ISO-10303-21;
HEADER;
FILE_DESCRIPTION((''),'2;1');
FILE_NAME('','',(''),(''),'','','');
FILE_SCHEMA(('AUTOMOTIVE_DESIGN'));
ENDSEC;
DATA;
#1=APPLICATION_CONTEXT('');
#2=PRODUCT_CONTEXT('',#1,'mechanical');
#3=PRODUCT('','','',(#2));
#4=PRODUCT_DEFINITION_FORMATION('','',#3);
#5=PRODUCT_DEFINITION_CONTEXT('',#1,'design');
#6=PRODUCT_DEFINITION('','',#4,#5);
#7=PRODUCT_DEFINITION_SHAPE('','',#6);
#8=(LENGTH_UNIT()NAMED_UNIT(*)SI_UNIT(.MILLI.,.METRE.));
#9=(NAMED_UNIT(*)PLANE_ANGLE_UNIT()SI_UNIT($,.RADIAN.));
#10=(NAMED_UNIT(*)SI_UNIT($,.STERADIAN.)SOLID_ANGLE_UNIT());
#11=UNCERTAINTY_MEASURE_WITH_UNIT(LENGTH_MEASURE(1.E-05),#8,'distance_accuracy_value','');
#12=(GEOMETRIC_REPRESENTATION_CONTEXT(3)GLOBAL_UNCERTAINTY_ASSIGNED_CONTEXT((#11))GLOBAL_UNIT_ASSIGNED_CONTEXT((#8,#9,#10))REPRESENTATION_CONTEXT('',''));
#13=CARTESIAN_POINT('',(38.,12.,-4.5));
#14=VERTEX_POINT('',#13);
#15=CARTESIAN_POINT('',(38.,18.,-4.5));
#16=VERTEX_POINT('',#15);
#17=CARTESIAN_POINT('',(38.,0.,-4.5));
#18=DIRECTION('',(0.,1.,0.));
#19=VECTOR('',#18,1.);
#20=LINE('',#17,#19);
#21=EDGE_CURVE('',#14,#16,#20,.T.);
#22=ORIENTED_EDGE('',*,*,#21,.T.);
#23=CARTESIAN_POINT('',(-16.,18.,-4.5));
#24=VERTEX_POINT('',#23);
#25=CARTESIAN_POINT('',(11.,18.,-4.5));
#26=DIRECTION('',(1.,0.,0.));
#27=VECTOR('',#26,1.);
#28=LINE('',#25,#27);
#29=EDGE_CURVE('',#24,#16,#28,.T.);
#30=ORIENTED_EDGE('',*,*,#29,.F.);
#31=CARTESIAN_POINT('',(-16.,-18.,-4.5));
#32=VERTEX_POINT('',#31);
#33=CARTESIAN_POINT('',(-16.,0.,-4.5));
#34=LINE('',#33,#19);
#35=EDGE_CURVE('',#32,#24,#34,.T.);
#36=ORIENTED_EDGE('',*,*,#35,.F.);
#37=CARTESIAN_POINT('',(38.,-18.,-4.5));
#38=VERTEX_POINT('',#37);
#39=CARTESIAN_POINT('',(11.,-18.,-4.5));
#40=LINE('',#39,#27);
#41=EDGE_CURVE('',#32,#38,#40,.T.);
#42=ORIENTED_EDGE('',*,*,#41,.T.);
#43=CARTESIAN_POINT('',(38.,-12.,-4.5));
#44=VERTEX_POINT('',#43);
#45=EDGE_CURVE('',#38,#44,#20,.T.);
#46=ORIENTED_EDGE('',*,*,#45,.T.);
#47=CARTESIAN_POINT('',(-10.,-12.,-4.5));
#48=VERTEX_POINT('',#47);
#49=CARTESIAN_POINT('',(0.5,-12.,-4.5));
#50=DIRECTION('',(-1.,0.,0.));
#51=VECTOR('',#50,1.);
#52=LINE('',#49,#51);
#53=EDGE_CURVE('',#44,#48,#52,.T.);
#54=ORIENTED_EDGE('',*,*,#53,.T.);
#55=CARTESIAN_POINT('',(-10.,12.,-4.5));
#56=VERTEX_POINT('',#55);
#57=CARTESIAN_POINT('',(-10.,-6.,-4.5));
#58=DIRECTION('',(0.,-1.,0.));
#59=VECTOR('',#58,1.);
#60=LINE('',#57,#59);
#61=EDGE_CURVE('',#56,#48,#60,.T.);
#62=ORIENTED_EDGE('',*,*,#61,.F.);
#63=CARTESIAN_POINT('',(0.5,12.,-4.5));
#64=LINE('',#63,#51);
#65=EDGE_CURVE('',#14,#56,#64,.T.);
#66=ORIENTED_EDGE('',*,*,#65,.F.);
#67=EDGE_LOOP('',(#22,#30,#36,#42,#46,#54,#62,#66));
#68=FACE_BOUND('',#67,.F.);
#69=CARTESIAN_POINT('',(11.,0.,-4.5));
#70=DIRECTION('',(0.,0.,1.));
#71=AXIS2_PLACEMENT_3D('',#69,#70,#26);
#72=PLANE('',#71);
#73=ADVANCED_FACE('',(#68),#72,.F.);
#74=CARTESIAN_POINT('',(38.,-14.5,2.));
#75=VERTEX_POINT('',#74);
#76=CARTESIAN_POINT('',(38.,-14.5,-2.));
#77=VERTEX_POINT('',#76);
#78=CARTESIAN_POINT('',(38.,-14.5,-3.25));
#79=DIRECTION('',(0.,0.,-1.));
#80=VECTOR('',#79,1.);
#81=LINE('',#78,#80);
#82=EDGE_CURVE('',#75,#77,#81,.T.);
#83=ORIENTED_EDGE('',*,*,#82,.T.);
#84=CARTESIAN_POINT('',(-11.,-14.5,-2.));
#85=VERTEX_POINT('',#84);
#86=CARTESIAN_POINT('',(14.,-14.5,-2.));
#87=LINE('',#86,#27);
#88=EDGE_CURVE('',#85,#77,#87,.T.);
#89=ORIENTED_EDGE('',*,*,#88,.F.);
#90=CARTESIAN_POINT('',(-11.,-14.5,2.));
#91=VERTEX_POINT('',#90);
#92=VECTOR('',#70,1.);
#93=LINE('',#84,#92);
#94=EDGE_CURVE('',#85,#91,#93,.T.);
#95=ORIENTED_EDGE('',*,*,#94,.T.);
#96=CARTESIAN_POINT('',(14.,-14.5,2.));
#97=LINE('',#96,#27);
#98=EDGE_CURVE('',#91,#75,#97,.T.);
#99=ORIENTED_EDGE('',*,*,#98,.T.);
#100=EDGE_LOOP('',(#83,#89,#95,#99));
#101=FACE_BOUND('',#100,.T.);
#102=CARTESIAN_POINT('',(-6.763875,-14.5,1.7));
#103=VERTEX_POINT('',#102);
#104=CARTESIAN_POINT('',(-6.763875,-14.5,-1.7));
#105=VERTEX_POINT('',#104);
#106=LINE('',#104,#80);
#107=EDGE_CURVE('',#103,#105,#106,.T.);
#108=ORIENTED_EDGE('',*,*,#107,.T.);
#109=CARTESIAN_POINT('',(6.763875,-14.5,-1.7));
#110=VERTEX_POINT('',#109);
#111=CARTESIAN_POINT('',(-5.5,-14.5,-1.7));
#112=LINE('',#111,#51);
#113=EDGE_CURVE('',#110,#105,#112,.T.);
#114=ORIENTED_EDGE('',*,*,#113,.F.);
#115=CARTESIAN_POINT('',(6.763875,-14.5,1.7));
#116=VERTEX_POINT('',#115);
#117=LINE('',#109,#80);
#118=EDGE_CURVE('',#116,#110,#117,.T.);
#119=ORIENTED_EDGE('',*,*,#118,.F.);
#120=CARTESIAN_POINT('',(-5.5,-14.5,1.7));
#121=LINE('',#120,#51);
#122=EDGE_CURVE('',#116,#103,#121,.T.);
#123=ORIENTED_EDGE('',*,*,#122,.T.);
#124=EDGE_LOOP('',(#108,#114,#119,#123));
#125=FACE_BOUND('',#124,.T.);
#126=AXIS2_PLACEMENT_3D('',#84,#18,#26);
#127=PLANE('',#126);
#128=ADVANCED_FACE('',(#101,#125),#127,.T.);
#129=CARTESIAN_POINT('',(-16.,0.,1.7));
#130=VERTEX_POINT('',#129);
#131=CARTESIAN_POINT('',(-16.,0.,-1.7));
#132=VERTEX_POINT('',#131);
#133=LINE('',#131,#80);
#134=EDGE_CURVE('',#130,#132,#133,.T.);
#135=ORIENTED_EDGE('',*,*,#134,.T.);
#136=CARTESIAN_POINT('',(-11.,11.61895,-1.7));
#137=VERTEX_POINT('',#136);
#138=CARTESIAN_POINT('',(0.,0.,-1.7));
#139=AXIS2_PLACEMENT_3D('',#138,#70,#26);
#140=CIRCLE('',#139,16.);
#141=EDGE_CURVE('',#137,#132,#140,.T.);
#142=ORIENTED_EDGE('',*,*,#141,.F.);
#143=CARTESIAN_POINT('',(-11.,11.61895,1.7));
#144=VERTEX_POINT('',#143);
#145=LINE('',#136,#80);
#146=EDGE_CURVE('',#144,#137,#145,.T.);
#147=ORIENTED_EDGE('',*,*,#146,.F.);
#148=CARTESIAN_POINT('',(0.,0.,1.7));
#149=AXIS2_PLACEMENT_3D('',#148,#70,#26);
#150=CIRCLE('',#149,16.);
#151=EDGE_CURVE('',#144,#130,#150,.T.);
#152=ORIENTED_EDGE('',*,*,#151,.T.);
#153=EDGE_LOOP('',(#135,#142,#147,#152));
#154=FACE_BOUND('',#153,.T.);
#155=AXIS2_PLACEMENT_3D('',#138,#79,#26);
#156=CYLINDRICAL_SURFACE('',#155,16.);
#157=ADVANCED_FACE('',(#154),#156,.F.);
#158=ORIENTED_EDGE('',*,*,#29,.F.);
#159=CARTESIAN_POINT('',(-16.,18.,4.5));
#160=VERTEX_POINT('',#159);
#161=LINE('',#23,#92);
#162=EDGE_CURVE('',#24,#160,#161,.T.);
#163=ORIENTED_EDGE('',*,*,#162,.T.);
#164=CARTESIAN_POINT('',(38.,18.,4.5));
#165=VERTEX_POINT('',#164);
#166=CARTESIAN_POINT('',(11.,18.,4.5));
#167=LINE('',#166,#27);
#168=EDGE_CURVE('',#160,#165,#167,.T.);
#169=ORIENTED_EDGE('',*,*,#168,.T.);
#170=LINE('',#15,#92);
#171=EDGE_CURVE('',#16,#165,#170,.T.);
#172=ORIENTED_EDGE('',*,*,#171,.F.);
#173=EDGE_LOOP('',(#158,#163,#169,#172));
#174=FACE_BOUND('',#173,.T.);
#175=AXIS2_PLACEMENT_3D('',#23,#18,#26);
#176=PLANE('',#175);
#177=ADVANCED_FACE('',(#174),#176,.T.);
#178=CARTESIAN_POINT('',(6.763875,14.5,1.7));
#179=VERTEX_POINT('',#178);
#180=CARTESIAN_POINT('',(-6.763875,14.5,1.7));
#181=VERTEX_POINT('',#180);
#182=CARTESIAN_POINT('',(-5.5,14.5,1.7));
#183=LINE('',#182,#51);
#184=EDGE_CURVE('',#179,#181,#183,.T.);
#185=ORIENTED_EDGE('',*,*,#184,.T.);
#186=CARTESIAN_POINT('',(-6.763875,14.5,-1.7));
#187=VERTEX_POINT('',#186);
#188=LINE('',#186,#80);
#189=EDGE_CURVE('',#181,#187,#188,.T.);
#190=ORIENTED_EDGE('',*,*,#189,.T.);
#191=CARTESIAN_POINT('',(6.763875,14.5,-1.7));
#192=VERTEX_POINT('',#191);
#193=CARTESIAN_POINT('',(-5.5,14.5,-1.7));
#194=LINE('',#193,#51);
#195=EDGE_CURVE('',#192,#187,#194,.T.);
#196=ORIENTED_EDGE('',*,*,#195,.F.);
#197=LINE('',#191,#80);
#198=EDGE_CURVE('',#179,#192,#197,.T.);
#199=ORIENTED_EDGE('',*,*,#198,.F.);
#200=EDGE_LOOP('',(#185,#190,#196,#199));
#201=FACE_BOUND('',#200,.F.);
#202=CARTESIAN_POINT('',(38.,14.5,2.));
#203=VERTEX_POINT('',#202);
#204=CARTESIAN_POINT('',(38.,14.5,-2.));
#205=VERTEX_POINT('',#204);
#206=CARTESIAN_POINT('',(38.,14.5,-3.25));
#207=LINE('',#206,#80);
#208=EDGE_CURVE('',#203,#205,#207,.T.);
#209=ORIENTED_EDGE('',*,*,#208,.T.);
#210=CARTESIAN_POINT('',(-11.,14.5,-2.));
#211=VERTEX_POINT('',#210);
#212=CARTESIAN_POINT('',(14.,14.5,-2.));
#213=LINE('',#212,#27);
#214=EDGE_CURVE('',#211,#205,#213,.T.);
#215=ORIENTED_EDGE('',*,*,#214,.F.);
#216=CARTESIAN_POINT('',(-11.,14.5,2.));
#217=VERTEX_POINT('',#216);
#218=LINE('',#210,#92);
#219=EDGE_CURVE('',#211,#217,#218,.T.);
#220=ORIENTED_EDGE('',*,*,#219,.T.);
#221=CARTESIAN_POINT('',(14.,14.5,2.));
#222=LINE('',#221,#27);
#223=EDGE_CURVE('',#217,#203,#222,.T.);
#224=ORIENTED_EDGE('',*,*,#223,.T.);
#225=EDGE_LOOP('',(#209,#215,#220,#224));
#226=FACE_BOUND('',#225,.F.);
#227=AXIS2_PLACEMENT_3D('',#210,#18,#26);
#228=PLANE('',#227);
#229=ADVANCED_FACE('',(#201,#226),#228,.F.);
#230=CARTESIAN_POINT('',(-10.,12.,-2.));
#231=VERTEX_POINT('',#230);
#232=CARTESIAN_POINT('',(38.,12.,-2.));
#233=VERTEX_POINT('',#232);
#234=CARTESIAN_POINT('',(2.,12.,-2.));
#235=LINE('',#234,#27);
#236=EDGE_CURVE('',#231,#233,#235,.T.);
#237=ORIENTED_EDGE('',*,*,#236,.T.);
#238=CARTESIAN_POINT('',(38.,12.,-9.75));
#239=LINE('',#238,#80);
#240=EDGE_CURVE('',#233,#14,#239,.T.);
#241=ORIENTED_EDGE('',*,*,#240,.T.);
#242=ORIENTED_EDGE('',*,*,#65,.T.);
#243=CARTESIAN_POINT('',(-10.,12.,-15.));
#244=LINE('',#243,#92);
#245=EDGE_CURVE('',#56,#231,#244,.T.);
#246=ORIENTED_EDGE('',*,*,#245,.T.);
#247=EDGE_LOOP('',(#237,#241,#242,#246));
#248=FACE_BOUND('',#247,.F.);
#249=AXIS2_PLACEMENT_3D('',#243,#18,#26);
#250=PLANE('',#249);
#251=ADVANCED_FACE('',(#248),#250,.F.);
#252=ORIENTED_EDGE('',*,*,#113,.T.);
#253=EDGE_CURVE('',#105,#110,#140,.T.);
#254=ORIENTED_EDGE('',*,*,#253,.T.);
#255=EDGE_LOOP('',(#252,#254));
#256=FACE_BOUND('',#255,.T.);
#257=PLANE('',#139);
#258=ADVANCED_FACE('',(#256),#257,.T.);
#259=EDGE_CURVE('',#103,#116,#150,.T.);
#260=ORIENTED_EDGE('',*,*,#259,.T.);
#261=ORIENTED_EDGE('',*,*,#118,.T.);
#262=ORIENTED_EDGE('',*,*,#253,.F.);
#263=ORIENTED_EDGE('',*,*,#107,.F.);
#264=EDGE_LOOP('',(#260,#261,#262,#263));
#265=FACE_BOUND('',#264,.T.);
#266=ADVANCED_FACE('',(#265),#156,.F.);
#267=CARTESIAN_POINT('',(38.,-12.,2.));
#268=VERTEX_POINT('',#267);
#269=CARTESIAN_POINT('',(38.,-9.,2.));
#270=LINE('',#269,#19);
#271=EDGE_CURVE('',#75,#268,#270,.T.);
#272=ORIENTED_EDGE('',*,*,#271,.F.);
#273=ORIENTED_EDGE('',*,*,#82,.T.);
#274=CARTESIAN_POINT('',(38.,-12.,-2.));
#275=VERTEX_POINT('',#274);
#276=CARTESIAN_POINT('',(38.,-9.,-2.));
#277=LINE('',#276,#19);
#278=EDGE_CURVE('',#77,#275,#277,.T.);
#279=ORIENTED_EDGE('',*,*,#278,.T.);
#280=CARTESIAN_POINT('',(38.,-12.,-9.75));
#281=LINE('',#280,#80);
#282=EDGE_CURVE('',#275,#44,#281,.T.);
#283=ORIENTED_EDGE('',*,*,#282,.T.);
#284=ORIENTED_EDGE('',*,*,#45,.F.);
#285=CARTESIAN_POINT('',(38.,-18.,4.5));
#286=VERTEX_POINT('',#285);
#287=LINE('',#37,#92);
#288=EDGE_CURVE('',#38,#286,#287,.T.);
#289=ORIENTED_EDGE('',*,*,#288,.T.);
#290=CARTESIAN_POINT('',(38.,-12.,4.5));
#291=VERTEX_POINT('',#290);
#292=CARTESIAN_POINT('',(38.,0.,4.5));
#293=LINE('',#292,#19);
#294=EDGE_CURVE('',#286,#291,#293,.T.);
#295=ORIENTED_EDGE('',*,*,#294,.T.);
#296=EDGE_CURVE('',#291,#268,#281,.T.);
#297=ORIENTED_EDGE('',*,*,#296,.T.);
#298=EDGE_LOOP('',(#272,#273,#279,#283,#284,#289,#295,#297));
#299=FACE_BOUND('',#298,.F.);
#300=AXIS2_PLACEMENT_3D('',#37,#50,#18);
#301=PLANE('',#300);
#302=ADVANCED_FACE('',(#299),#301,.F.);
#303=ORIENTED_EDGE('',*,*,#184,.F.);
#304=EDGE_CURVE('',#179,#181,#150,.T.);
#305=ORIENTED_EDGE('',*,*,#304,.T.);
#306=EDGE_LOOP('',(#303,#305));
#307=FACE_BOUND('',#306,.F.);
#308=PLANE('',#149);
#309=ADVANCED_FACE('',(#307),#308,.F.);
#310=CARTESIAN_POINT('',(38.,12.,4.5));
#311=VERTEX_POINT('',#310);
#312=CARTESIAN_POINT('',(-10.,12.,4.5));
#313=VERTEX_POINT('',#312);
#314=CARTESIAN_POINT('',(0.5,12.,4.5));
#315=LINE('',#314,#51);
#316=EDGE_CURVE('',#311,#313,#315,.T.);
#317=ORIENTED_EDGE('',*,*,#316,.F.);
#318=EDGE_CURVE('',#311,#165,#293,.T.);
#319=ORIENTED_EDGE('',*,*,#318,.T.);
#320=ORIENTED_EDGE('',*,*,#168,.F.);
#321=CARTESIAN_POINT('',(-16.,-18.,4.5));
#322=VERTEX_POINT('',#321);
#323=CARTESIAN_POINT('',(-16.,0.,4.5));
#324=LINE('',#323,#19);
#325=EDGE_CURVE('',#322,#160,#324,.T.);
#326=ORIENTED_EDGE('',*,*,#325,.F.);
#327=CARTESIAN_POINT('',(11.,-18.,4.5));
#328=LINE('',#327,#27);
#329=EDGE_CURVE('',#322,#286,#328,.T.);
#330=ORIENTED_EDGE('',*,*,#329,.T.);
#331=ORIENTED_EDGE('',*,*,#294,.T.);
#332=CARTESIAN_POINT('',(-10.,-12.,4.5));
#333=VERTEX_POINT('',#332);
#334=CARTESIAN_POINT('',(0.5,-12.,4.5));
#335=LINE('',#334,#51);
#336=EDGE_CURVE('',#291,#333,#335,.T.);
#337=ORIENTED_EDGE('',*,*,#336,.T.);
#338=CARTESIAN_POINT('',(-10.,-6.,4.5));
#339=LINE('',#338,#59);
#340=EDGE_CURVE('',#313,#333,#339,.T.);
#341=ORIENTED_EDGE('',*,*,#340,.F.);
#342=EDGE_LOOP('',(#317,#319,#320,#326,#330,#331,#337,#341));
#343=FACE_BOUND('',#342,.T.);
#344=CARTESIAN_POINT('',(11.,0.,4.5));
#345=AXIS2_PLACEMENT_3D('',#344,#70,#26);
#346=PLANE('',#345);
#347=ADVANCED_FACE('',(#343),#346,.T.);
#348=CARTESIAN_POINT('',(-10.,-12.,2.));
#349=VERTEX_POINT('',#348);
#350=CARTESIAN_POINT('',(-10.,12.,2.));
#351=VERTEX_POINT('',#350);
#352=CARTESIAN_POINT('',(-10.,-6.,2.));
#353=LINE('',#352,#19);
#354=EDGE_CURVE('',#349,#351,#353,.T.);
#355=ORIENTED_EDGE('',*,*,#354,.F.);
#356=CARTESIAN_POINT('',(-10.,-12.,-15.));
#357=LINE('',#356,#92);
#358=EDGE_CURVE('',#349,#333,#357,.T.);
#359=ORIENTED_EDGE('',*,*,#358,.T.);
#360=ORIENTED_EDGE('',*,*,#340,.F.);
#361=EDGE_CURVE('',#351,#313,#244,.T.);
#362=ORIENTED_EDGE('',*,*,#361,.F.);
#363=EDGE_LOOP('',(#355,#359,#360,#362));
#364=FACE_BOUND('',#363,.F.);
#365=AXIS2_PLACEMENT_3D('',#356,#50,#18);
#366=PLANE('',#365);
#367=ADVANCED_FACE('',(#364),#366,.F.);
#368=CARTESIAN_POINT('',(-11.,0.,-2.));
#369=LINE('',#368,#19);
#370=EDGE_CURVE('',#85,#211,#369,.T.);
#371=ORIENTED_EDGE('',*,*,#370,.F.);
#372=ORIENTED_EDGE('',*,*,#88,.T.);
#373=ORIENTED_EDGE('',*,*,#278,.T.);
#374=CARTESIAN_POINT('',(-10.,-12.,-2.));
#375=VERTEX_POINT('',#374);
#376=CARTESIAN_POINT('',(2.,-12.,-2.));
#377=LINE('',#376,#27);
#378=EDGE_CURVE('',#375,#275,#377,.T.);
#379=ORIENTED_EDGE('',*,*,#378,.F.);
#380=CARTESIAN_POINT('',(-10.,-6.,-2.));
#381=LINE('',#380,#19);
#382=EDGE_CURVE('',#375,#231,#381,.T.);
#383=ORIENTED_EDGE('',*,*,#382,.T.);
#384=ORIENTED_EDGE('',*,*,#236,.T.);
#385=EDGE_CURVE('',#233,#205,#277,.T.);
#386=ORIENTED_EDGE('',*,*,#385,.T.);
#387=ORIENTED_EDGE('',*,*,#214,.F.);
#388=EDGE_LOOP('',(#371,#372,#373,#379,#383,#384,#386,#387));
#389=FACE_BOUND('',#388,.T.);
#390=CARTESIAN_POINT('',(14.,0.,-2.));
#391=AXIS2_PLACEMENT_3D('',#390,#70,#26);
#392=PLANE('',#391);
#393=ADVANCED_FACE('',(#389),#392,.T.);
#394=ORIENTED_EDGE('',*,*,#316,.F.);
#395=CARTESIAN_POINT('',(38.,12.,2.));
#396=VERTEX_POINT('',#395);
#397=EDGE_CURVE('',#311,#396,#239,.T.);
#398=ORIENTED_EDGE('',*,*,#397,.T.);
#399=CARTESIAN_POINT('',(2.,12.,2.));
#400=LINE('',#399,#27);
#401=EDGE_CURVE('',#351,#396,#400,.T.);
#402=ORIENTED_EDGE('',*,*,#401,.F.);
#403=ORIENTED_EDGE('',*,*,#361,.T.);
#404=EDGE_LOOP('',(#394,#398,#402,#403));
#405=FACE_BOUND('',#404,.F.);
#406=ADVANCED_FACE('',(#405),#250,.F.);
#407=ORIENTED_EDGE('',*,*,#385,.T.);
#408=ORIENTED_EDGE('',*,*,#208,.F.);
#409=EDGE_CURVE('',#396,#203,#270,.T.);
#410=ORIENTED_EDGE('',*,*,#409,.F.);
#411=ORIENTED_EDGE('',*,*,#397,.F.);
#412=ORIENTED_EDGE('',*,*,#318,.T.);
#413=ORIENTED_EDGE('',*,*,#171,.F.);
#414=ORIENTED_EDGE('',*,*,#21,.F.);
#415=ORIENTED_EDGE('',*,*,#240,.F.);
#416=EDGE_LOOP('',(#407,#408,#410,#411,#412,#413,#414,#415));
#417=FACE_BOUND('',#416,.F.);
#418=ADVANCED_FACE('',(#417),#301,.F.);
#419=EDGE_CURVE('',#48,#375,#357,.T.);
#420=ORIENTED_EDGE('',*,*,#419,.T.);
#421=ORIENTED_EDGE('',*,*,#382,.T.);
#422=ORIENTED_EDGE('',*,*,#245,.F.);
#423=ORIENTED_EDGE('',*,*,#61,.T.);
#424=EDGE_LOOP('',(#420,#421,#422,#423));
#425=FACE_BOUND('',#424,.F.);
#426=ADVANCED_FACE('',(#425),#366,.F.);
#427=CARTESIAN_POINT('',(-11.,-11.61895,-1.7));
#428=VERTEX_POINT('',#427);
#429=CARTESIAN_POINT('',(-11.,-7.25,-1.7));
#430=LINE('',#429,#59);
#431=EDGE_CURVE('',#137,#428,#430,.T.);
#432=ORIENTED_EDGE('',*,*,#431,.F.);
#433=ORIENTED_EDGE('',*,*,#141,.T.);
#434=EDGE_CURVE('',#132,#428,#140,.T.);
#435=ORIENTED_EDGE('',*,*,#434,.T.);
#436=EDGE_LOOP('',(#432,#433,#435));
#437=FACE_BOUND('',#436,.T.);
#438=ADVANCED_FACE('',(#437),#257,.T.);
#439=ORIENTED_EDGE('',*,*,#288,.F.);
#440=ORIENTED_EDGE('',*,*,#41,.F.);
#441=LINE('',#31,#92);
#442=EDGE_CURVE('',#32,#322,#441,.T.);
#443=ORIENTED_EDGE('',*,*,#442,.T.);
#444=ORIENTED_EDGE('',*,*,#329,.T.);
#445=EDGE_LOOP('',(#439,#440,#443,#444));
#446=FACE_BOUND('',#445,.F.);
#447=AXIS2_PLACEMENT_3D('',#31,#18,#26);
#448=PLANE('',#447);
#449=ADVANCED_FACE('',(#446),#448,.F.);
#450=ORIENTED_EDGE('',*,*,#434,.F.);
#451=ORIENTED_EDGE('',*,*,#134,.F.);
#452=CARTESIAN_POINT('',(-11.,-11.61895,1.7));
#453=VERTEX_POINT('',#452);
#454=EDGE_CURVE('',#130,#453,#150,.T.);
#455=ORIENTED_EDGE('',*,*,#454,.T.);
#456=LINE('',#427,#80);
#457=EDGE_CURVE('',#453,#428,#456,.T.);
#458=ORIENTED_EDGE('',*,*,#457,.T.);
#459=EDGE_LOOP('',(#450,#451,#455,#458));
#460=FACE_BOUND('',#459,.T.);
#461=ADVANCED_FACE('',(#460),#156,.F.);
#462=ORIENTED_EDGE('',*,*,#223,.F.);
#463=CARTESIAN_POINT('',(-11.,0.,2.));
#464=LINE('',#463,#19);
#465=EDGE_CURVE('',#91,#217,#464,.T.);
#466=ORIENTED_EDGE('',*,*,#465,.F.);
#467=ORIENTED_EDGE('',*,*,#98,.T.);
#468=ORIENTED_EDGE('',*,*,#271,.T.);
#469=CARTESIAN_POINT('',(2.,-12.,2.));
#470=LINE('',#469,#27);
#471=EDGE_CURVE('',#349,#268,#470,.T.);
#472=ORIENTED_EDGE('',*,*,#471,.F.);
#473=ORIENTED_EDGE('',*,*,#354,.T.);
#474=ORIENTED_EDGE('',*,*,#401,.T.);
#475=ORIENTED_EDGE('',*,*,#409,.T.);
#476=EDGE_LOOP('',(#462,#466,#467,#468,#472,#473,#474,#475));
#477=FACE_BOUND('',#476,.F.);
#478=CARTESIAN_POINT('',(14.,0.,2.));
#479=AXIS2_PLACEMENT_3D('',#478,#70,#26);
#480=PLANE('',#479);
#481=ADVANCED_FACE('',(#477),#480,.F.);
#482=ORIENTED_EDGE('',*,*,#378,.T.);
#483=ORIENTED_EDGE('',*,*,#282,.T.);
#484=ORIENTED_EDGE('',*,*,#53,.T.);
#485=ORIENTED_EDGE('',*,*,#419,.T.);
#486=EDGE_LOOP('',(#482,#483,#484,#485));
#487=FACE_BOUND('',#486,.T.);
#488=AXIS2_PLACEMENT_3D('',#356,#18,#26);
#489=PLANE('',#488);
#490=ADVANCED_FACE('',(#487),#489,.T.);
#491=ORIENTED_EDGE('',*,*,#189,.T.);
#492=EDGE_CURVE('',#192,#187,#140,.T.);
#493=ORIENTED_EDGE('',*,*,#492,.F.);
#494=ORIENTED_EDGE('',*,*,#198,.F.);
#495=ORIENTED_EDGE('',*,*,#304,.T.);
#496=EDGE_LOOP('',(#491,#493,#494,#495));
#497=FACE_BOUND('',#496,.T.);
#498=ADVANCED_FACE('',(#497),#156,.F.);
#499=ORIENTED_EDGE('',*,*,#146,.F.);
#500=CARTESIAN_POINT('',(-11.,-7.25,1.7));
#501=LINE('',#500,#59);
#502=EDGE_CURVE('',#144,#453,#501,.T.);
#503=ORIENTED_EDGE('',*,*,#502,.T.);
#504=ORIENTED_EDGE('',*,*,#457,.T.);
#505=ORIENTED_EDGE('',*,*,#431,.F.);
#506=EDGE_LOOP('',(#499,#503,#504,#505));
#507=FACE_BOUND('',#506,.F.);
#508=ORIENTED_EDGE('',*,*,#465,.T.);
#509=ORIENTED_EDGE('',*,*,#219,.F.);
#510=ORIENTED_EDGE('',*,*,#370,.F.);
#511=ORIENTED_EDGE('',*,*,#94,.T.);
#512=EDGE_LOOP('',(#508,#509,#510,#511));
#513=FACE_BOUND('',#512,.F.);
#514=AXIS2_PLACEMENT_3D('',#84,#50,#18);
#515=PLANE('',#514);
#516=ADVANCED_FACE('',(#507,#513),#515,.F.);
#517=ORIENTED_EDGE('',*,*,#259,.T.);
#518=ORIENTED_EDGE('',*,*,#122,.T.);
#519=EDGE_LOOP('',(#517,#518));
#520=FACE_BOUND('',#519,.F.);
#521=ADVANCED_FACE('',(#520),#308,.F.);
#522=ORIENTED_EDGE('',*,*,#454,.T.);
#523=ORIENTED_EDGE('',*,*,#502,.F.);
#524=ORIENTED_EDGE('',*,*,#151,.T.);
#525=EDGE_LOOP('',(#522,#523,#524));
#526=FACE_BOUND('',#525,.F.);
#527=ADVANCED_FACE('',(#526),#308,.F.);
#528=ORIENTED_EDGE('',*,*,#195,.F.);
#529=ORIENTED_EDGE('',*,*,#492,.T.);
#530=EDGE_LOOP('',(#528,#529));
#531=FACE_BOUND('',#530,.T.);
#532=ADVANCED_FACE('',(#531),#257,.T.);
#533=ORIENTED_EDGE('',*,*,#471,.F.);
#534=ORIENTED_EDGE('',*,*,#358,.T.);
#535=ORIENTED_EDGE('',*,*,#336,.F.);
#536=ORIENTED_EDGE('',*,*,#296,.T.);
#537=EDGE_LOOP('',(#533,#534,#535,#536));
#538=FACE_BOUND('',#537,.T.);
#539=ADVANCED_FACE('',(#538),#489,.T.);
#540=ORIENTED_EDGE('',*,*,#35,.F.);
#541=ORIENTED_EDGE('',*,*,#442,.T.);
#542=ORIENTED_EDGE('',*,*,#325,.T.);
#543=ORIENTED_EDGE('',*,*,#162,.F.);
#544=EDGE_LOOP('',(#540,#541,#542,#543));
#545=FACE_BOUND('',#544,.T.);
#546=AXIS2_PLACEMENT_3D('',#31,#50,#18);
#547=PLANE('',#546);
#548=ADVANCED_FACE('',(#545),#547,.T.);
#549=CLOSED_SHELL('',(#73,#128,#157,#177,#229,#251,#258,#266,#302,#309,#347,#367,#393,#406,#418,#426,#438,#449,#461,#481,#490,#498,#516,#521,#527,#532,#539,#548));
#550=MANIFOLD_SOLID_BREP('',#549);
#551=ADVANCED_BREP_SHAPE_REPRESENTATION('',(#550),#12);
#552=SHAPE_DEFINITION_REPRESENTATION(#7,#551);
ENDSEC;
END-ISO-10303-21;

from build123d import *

# Parameters (mm, degrees)
CYLINDER_R     = 16
CYLINDER_DEPTH = 3.4
BOX002_W       = 50
BOX002_H       = 29
BOX002_DEPTH   = 4
BOX001_W       = 58
BOX001_H       = 24
BOX001_DEPTH   = 30
BOX_W          = 54
BOX_H          = 36
BOX_DEPTH      = 9


with BuildPart() as lens_hole:
    # Cylinder → Cylinder (new body)
    with BuildSketch(Plane.XY.offset(-1.7)):
        Circle(CYLINDER_R)
    extrude(amount=CYLINDER_DEPTH)


with BuildPart() as inner_lens_extraction_cube:
    # Box002 → Box002 (new body)
    with BuildSketch(Plane(origin=(-11, -14.5, -2), x_dir=(1, 0, 0), z_dir=(0, 0, 1))):
        with Locations((25, 14.5)):
            Rectangle(BOX002_W, BOX002_H)
    extrude(amount=BOX002_DEPTH)


with BuildPart() as holder_cut_fusion:
    # Box001 → Box001 (new body)
    with BuildSketch(Plane(origin=(-10, -12, -15), x_dir=(1, 0, 0), z_dir=(0, 0, 1))):
        with Locations((29, 12)):
            Rectangle(BOX001_W, BOX001_H)
    extrude(amount=BOX001_DEPTH)

    # Fusion: union lens hole, inner lens extraction cube
    add(lens_hole.part)
    add(inner_lens_extraction_cube.part)


with BuildPart() as holder_cut:
    # Box → Box (new body)
    with BuildSketch(Plane(origin=(-16, -18, -4.5), x_dir=(1, 0, 0), z_dir=(0, 0, 1))):
        with Locations((27, 18)):
            Rectangle(BOX_W, BOX_H)
    extrude(amount=BOX_DEPTH)

    # Cut: cut holder cut fusion
    add(holder_cut_fusion.part, mode=Mode.SUBTRACT)


solid = holder_cut.part
